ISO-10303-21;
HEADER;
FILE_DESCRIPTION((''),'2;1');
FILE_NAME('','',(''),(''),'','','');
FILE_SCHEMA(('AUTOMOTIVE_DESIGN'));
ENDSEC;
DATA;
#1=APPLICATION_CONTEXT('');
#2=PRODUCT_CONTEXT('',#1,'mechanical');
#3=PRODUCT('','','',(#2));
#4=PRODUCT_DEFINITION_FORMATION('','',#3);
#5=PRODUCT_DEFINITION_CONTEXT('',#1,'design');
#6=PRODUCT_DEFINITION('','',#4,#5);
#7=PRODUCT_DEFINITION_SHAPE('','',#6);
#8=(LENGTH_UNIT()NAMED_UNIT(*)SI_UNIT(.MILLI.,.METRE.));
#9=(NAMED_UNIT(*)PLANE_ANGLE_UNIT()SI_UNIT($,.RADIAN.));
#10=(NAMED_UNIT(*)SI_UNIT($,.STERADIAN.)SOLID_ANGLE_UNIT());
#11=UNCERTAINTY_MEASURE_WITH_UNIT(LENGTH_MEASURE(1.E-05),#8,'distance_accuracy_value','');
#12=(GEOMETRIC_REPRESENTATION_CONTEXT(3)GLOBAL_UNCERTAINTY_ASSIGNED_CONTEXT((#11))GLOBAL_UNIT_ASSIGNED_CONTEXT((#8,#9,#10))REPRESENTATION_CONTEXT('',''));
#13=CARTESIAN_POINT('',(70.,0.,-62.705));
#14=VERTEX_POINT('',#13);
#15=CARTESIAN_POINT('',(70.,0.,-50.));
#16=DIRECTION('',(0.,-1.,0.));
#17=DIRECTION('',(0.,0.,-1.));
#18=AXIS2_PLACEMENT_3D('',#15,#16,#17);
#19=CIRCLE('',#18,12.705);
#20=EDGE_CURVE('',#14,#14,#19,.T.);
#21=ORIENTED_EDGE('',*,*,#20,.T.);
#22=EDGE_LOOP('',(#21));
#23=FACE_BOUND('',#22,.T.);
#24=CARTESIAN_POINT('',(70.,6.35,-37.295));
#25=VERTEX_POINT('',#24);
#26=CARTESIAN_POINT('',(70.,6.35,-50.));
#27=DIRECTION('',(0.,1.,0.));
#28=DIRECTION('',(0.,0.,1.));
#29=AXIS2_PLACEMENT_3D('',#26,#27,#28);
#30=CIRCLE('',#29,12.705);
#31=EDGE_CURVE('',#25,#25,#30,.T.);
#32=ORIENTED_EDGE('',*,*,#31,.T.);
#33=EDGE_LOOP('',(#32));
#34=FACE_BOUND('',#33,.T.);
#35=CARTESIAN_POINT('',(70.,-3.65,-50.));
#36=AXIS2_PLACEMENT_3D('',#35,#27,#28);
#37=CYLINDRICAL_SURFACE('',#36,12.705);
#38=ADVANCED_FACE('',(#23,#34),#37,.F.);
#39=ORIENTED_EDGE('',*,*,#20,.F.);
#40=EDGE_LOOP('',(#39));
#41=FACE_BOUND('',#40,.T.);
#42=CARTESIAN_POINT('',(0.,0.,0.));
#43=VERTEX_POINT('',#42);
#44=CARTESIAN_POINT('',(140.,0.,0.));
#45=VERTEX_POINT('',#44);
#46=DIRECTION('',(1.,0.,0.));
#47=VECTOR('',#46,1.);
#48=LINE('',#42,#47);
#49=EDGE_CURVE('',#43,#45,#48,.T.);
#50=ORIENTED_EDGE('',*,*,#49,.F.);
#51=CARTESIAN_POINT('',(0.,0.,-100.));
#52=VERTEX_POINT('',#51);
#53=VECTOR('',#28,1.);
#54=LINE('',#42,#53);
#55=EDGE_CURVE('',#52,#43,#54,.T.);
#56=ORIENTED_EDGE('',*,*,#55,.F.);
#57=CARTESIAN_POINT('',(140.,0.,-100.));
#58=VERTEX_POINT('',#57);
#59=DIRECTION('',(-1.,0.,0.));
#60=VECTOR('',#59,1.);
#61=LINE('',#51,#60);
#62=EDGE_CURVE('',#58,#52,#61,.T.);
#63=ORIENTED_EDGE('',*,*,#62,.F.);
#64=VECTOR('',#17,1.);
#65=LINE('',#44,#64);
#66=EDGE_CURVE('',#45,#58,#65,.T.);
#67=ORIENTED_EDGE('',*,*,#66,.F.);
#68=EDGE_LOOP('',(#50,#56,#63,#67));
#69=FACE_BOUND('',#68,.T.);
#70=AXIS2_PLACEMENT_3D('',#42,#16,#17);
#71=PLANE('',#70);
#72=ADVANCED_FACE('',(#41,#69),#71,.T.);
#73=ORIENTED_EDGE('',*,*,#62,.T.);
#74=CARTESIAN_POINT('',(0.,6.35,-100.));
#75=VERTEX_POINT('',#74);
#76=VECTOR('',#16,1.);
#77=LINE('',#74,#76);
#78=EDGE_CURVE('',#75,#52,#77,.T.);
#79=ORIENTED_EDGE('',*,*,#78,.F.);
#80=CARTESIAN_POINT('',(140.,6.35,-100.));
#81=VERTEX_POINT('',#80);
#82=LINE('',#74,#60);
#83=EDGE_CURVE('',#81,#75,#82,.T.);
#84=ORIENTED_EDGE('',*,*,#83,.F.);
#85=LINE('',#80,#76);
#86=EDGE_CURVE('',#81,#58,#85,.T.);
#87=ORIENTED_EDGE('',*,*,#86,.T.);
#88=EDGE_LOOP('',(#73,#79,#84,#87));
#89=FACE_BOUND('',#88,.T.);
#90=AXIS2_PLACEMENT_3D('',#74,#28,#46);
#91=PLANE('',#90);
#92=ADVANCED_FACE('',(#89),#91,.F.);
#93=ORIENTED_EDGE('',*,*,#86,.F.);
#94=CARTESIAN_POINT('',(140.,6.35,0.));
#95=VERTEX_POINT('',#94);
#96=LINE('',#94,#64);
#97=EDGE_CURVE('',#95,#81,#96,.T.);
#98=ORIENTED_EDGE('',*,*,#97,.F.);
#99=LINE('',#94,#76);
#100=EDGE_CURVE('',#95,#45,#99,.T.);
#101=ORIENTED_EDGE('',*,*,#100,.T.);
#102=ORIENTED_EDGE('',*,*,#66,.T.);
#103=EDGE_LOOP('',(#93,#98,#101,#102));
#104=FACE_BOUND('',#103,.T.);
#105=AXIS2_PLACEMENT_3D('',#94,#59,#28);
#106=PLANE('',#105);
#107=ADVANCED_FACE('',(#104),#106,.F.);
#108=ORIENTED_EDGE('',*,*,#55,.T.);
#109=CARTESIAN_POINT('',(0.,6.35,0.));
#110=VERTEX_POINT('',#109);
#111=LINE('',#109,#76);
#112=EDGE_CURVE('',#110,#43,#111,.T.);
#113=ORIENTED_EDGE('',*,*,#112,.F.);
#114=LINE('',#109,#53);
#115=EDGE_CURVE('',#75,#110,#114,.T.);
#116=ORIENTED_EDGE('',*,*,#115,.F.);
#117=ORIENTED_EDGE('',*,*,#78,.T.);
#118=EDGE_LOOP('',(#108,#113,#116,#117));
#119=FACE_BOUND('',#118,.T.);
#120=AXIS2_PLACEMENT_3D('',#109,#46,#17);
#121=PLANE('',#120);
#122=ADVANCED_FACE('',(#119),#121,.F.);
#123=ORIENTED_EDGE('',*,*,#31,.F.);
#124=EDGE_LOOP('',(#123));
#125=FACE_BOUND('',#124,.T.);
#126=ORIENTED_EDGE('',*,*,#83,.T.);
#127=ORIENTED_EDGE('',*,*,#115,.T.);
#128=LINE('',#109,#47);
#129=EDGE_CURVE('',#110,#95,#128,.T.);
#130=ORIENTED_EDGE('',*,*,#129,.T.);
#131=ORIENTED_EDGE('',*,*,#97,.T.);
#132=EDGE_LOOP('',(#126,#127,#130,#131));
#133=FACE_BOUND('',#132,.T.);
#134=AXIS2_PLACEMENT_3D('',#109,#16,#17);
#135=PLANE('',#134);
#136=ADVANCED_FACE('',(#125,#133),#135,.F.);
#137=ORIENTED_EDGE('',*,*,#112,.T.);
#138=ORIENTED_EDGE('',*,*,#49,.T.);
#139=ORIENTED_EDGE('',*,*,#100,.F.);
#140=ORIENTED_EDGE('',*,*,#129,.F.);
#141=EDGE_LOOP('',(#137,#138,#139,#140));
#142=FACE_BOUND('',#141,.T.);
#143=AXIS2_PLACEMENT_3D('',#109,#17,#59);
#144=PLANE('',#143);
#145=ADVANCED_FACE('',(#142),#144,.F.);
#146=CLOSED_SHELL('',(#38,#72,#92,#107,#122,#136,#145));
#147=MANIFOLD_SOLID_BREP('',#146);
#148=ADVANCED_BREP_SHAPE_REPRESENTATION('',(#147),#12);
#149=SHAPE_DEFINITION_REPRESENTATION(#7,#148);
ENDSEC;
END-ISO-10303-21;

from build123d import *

# Parameters (mm, degrees)
SKETCH1_W           = 140
SKETCH1_H           = 100
BOSS_EXTRUDE1_DEPTH = 6.35
SKETCH2_R           = 12.705
CUT_EXTRUDE1_DEPTH  = 10


with BuildPart() as part:
    # Sketch1 → Boss-Extrude1 (new body)
    with BuildSketch(Plane(origin=(0, 0, 0), x_dir=(1, 0, 0), z_dir=(0, 1, 0))):
        with Locations((70, 50)):
            Rectangle(SKETCH1_W, SKETCH1_H)
    extrude(amount=BOSS_EXTRUDE1_DEPTH)

    # Sketch2 → Cut-Extrude1 (cut)
    with BuildSketch(Plane(origin=(0, 6.35, 0), x_dir=(1, 0, 0), z_dir=(0, 1, 0))):
        with Locations(Location((70, 50, 0), (0, 0, 270))):
            Circle(SKETCH2_R)
    extrude(amount=-CUT_EXTRUDE1_DEPTH, mode=Mode.SUBTRACT)


solid = part.part
